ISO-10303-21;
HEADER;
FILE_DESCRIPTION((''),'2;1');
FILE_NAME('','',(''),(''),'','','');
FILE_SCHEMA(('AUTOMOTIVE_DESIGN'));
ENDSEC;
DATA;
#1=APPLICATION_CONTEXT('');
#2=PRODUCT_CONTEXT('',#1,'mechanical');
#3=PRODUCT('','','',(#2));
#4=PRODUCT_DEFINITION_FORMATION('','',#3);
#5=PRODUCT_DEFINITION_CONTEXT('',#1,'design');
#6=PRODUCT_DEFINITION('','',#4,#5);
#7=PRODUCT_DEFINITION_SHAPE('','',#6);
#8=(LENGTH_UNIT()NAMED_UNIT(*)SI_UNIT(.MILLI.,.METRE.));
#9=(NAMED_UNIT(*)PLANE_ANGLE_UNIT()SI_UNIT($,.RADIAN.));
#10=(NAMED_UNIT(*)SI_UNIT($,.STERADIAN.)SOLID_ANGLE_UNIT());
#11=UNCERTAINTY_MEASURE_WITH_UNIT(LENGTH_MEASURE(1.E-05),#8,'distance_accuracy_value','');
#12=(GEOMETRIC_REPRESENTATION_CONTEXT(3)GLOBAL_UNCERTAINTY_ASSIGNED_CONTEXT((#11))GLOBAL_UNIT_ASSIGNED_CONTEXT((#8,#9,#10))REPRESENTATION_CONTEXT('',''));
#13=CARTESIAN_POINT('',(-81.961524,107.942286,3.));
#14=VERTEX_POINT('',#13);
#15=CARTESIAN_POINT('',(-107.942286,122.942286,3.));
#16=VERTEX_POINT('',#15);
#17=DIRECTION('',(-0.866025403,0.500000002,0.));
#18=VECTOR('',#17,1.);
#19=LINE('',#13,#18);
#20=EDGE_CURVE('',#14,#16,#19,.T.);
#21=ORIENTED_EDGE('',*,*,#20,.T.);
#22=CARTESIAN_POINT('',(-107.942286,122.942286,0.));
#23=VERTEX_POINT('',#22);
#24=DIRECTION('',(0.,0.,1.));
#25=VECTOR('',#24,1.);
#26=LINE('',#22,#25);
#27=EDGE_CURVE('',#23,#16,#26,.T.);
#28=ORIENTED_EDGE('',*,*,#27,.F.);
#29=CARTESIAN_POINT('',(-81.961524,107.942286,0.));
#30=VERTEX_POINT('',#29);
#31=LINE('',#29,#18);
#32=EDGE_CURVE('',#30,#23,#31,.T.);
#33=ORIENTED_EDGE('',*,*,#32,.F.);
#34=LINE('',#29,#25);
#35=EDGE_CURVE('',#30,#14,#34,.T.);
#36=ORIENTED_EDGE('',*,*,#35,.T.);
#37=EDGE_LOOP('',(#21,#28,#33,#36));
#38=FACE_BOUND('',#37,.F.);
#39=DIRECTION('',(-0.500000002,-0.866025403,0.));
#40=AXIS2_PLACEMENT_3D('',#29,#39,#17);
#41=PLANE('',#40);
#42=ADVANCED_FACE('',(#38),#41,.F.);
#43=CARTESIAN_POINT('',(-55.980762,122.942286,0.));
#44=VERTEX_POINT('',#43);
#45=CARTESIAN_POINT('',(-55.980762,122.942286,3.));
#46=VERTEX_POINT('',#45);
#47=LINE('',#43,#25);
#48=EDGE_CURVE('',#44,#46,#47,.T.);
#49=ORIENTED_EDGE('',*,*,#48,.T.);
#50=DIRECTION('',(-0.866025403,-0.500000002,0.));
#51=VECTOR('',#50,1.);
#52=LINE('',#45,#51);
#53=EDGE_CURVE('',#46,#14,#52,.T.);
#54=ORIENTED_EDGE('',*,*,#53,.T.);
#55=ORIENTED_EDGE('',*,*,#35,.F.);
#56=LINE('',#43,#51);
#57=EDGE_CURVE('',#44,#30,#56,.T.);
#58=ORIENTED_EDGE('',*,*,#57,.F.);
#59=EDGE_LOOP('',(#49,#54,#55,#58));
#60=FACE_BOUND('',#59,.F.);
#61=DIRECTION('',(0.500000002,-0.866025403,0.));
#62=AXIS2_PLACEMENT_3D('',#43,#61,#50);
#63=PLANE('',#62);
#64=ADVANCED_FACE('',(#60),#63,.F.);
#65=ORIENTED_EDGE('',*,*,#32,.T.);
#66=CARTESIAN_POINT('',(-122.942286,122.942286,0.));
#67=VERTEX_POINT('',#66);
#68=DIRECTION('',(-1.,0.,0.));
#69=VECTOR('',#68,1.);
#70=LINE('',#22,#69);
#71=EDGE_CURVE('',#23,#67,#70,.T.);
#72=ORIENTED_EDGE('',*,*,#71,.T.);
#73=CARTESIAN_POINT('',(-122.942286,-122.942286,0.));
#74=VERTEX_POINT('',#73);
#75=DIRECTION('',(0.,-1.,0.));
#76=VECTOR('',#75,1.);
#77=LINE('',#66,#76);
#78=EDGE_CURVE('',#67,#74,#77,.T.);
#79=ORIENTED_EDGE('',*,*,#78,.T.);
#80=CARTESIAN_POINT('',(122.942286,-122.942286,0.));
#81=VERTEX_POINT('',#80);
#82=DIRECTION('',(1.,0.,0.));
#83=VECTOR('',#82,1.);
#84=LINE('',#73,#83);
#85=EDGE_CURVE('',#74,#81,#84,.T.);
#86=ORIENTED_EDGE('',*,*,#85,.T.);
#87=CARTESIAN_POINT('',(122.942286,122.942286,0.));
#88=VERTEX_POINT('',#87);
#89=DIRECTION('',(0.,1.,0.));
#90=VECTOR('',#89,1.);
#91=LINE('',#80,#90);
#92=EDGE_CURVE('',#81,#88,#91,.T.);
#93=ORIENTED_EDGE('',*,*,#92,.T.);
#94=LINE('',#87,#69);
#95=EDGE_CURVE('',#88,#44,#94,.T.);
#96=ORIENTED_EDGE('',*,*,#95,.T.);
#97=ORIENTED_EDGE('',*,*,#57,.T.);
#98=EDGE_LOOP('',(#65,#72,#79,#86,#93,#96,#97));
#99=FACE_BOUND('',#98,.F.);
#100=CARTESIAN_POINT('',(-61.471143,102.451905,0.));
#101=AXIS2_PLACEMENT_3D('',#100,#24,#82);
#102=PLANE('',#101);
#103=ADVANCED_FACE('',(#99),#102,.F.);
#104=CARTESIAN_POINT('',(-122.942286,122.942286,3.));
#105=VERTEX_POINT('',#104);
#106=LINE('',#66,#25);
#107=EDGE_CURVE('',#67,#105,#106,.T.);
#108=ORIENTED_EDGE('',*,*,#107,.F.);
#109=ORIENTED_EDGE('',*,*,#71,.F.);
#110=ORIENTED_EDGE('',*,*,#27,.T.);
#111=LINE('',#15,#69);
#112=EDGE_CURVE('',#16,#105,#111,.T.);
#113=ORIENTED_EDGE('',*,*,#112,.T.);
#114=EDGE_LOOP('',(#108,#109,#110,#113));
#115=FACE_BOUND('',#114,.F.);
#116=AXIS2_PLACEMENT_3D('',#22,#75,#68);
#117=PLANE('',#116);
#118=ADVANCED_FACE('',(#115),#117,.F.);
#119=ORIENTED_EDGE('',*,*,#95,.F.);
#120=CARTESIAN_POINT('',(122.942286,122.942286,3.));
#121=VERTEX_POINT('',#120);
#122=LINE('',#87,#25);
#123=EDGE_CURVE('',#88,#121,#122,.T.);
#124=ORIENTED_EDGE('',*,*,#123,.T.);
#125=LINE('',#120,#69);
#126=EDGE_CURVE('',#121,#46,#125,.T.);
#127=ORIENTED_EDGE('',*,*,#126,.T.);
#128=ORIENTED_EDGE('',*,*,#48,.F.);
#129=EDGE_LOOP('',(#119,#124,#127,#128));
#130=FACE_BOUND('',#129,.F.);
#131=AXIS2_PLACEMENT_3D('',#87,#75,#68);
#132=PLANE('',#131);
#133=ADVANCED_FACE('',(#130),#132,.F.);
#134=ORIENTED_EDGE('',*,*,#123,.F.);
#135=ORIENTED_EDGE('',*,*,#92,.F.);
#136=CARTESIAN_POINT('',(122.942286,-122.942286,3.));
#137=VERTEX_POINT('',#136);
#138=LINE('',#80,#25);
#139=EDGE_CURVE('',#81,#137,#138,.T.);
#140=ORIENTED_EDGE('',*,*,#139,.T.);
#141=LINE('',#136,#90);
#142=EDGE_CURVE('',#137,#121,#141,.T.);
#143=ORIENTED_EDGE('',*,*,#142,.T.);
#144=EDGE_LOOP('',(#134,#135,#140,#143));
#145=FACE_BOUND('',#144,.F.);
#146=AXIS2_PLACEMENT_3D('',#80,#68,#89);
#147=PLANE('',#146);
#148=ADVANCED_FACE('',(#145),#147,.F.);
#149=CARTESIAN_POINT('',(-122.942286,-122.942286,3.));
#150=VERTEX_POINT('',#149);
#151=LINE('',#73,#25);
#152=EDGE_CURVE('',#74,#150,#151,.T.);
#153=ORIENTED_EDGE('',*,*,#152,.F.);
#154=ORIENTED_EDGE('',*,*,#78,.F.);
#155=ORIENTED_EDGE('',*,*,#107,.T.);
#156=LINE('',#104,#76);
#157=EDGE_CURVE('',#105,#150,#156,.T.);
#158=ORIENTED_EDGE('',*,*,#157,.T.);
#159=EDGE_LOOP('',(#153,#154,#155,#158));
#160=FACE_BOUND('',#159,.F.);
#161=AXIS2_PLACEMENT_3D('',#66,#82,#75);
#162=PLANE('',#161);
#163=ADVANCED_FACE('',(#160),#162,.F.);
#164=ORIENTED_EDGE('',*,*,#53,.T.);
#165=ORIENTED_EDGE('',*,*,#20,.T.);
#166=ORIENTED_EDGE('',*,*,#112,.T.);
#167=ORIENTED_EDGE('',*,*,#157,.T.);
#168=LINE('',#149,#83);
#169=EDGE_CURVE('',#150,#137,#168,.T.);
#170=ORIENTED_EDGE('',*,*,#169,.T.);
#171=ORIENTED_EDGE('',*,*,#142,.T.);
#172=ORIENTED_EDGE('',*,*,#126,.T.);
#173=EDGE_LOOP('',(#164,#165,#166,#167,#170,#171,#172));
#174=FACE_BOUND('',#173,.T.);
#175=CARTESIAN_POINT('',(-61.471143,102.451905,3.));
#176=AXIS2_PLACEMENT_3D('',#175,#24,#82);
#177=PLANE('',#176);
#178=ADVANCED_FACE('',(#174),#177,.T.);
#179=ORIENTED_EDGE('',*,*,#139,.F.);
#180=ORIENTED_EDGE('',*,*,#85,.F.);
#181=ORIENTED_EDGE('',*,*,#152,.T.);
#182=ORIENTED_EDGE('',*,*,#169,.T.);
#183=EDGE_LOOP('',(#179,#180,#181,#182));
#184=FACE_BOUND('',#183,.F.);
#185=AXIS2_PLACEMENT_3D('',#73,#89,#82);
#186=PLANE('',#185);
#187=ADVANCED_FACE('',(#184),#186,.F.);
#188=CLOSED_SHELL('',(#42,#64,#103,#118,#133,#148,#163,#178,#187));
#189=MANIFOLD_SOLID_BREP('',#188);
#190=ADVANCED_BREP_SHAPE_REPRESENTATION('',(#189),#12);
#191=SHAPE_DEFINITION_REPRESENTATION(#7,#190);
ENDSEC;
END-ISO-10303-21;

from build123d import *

# Parameters (mm, degrees)
F1_DEPTH = 3


with BuildPart() as f1:
    # F0 (on Top) → F1 (new body)
    with BuildSketch(Plane.XY):
        Polygon((-81.961524, 107.942286), (-66.961524, 81.961524), (-40.980762, 96.961524), (-55.980762, 122.942286), align=None)
        Polygon((-122.942286, 96.961524), (-107.942286, 122.942286), (-122.942286, 122.942286), align=None)
        Polygon((-122.942286, 66.961524), (-96.961524, 81.961524), (-122.942286, 96.961524), align=None)
        Polygon((-81.961524, 55.980762), (-66.961524, 81.961524), (-81.961524, 107.942286), (-96.961524, 81.961524), align=None)
        Polygon((40.980762, 96.961524), (40.980762, 66.961524), (66.961524, 81.961524), align=None)
        Polygon((-122.942286, -122.942286), (-107.942286, -122.942286), (-122.942286, -96.961524), align=None)
        Polygon((-55.980762, -122.942286), (-81.961524, -107.942286), (-107.942286, -122.942286), align=None)
        Polygon((-81.961524, -107.942286), (-66.961524, -81.961524), (-81.961524, -55.980762), (-96.961524, -81.961524), align=None)
        Polygon((-96.961524, -81.961524), (-81.961524, -55.980762), (-107.942286, -40.980762), (-122.942286, -66.961524), align=None)
        Polygon((-40.980762, -96.961524), (-40.980762, -66.961524), (-66.961524, -81.961524), align=None)
        Polygon((-66.961524, -81.961524), (-40.980762, -66.961524), (-55.980762, -40.980762), (-81.961524, -55.980762), align=None)
        Polygon((-40.980762, -15), (-15, 0), (-40.980762, 15), align=None)
        Polygon((-96.961524, 0), (-81.961524, 25.980762), (-107.942286, 40.980762), (-122.942286, 15), align=None)
        Polygon((-81.961524, -25.980762), (-66.961524, 0), (-81.961524, 25.980762), (-96.961524, 0), align=None)
        Polygon((-122.942286, -15), (-96.961524, 0), (-122.942286, 15), align=None)
        Polygon((-107.942286, 40.980762), (-81.961524, 55.980762), (-96.961524, 81.961524), (-122.942286, 66.961524), align=None)
        Polygon((-122.942286, 15), (-107.942286, 40.980762), (-122.942286, 66.961524), align=None)
        Polygon((-96.961524, 81.961524), (-81.961524, 107.942286), (-107.942286, 122.942286), (-122.942286, 96.961524), align=None)
        Polygon((-81.961524, 25.980762), (-55.980762, 40.980762), (-81.961524, 55.980762), align=None)
        Polygon((40.980762, 66.961524), (55.980762, 40.980762), (81.961524, 55.980762), (66.961524, 81.961524), align=None)
        Polygon((0, 55.980762), (25.980762, 40.980762), (40.980762, 66.961524), (15, 81.961524), align=None)
        Polygon((66.961524, 81.961524), (81.961524, 55.980762), (96.961524, 81.961524), (81.961524, 107.942286), align=None)
        Polygon((15, 81.961524), (40.980762, 66.961524), (40.980762, 96.961524), align=None)
        Polygon((-15, -81.961524), (-40.980762, -66.961524), (-40.980762, -96.961524), align=None)
        Polygon((-40.980762, -96.961524), (-66.961524, -81.961524), (-81.961524, -107.942286), (-55.980762, -122.942286), align=None)
        Polygon((0, -55.980762), (-25.980762, -40.980762), (-40.980762, -66.961524), (-15, -81.961524), align=None)
        Polygon((-40.980762, -66.961524), (-25.980762, -40.980762), (-40.980762, -15), (-55.980762, -40.980762), align=None)
        Polygon((-81.961524, -55.980762), (-55.980762, -40.980762), (-81.961524, -25.980762), align=None)
        Polygon((-107.942286, -122.942286), (-81.961524, -107.942286), (-96.961524, -81.961524), (-122.942286, -96.961524), align=None)
        Polygon((-122.942286, -96.961524), (-96.961524, -81.961524), (-122.942286, -66.961524), align=None)
        Polygon((25.980762, -122.942286), (0, -107.942286), (-25.980762, -122.942286), align=None)
        Polygon((40.980762, -96.961524), (15, -81.961524), (0, -107.942286), (25.980762, -122.942286), align=None)
        Polygon((0, -107.942286), (-15, -81.961524), (-40.980762, -96.961524), (-25.980762, -122.942286), align=None)
        Polygon((-25.980762, -122.942286), (-40.980762, -96.961524), (-55.980762, -122.942286), align=None)
        Polygon((-55.980762, 122.942286), (-40.980762, 96.961524), (-25.980762, 122.942286), align=None)
        Polygon((-25.980762, 122.942286), (0, 107.942286), (25.980762, 122.942286), align=None)
        Polygon((0, 107.942286), (15, 81.961524), (40.980762, 96.961524), (25.980762, 122.942286), align=None)
        Polygon((-40.980762, 96.961524), (-15, 81.961524), (0, 107.942286), (-25.980762, 122.942286), align=None)
        Polygon((40.980762, 96.961524), (66.961524, 81.961524), (81.961524, 107.942286), (55.980762, 122.942286), align=None)
        Polygon((25.980762, 122.942286), (40.980762, 96.961524), (55.980762, 122.942286), align=None)
        Polygon((55.980762, 122.942286), (81.961524, 107.942286), (107.942286, 122.942286), align=None)
        Polygon((107.942286, 122.942286), (122.942286, 96.961524), (122.942286, 122.942286), align=None)
        Polygon((0, -55.980762), (0, -25.980762), (-25.980762, -40.980762), align=None)
        Polygon((81.961524, 107.942286), (96.961524, 81.961524), (122.942286, 96.961524), (107.942286, 122.942286), align=None)
        Polygon((-107.942286, 40.980762), (-81.961524, 25.980762), (-81.961524, 55.980762), align=None)
        Polygon((-122.942286, -66.961524), (-107.942286, -40.980762), (-122.942286, -15), align=None)
        Polygon((-66.961524, 81.961524), (-40.980762, 66.961524), (-40.980762, 96.961524), align=None)
        Polygon((-81.961524, -55.980762), (-81.961524, -25.980762), (-107.942286, -40.980762), align=None)
        Polygon((-107.942286, -40.980762), (-81.961524, -25.980762), (-96.961524, 0), (-122.942286, -15), align=None)
        Polygon((122.942286, -66.961524), (96.961524, -81.961524), (122.942286, -96.961524), align=None)
        Polygon((122.942286, -96.961524), (96.961524, -81.961524), (81.961524, -107.942286), (107.942286, -122.942286), align=None)
        Polygon((66.961524, -81.961524), (40.980762, -66.961524), (40.980762, -96.961524), align=None)
        Polygon((81.961524, -55.980762), (55.980762, -40.980762), (40.980762, -66.961524), (66.961524, -81.961524), align=None)
        Polygon((-40.980762, 96.961524), (-40.980762, 66.961524), (-15, 81.961524), align=None)
        Polygon((40.980762, -96.961524), (40.980762, -66.961524), (15, -81.961524), align=None)
        Polygon((107.942286, -122.942286), (81.961524, -107.942286), (55.980762, -122.942286), align=None)
        Polygon((-15, 81.961524), (0, 55.980762), (15, 81.961524), (0, 107.942286), align=None)
        Polygon((55.980762, -122.942286), (40.980762, -96.961524), (25.980762, -122.942286), align=None)
        Polygon((0, -25.980762), (15, 0), (0, 25.980762), (-15, 0), align=None)
        Polygon((0, 25.980762), (15, 0), (40.980762, 15), (25.980762, 40.980762), align=None)
        Polygon((122.942286, 96.961524), (96.961524, 81.961524), (122.942286, 66.961524), align=None)
        Polygon((25.980762, 40.980762), (40.980762, 15), (55.980762, 40.980762), (40.980762, 66.961524), align=None)
        Polygon((25.980762, -40.980762), (0, -25.980762), (0, -55.980762), align=None)
        Polygon((96.961524, 0), (81.961524, -25.980762), (107.942286, -40.980762), (122.942286, -15), align=None)
        Polygon((66.961524, 0), (40.980762, 15), (40.980762, -15), align=None)
        Polygon((122.942286, 66.961524), (107.942286, 40.980762), (122.942286, 15), align=None)
        Polygon((55.980762, -40.980762), (40.980762, -15), (25.980762, -40.980762), (40.980762, -66.961524), align=None)
        Polygon((81.961524, 25.980762), (66.961524, 0), (81.961524, -25.980762), (96.961524, 0), align=None)
        Polygon((40.980762, -15), (15, 0), (0, -25.980762), (25.980762, -40.980762), align=None)
        Polygon((122.942286, -122.942286), (122.942286, -96.961524), (107.942286, -122.942286), align=None)
        Polygon((-15, 0), (0, 25.980762), (-25.980762, 40.980762), (-40.980762, 15), align=None)
        Polygon((-25.980762, 40.980762), (0, 25.980762), (0, 55.980762), align=None)
        Polygon((107.942286, 40.980762), (81.961524, 25.980762), (96.961524, 0), (122.942286, 15), align=None)
        Polygon((122.942286, 15), (96.961524, 0), (122.942286, -15), align=None)
        Polygon((66.961524, 0), (40.980762, -15), (55.980762, -40.980762), (81.961524, -25.980762), align=None)
        Polygon((55.980762, 40.980762), (40.980762, 15), (66.961524, 0), (81.961524, 25.980762), align=None)
        Polygon((15, -81.961524), (0, -55.980762), (-15, -81.961524), (0, -107.942286), align=None)
        Polygon((0, 55.980762), (0, 25.980762), (25.980762, 40.980762), align=None)
        Polygon((96.961524, 81.961524), (81.961524, 55.980762), (107.942286, 40.980762), (122.942286, 66.961524), align=None)
        Polygon((81.961524, 55.980762), (55.980762, 40.980762), (81.961524, 25.980762), align=None)
        Polygon((81.961524, -25.980762), (55.980762, -40.980762), (81.961524, -55.980762), (107.942286, -40.980762), align=None)
        Polygon((81.961524, 55.980762), (81.961524, 25.980762), (107.942286, 40.980762), align=None)
        Polygon((122.942286, -15), (107.942286, -40.980762), (122.942286, -66.961524), align=None)
        Polygon((-40.980762, 66.961524), (-25.980762, 40.980762), (0, 55.980762), (-15, 81.961524), align=None)
        Polygon((107.942286, -40.980762), (81.961524, -55.980762), (96.961524, -81.961524), (122.942286, -66.961524), align=None)
        Polygon((96.961524, -81.961524), (81.961524, -55.980762), (66.961524, -81.961524), (81.961524, -107.942286), align=None)
        Polygon((81.961524, -107.942286), (66.961524, -81.961524), (40.980762, -96.961524), (55.980762, -122.942286), align=None)
        Polygon((-25.980762, -40.980762), (0, -25.980762), (-15, 0), (-40.980762, -15), align=None)
        Polygon((-55.980762, 40.980762), (-40.980762, 66.961524), (-66.961524, 81.961524), (-81.961524, 55.980762), align=None)
        Polygon((-40.980762, 15), (-25.980762, 40.980762), (-40.980762, 66.961524), (-55.980762, 40.980762), align=None)
        Polygon((40.980762, 15), (15, 0), (40.980762, -15), align=None)
        Polygon((40.980762, -66.961524), (25.980762, -40.980762), (0, -55.980762), (15, -81.961524), align=None)
        Polygon((-40.980762, -15), (-40.980762, 15), (-66.961524, 0), align=None)
        Polygon((-55.980762, -40.980762), (-40.980762, -15), (-66.961524, 0), (-81.961524, -25.980762), align=None)
        Polygon((-66.961524, 0), (-40.980762, 15), (-55.980762, 40.980762), (-81.961524, 25.980762), align=None)
    extrude(amount=F1_DEPTH)


solid = f1.part
